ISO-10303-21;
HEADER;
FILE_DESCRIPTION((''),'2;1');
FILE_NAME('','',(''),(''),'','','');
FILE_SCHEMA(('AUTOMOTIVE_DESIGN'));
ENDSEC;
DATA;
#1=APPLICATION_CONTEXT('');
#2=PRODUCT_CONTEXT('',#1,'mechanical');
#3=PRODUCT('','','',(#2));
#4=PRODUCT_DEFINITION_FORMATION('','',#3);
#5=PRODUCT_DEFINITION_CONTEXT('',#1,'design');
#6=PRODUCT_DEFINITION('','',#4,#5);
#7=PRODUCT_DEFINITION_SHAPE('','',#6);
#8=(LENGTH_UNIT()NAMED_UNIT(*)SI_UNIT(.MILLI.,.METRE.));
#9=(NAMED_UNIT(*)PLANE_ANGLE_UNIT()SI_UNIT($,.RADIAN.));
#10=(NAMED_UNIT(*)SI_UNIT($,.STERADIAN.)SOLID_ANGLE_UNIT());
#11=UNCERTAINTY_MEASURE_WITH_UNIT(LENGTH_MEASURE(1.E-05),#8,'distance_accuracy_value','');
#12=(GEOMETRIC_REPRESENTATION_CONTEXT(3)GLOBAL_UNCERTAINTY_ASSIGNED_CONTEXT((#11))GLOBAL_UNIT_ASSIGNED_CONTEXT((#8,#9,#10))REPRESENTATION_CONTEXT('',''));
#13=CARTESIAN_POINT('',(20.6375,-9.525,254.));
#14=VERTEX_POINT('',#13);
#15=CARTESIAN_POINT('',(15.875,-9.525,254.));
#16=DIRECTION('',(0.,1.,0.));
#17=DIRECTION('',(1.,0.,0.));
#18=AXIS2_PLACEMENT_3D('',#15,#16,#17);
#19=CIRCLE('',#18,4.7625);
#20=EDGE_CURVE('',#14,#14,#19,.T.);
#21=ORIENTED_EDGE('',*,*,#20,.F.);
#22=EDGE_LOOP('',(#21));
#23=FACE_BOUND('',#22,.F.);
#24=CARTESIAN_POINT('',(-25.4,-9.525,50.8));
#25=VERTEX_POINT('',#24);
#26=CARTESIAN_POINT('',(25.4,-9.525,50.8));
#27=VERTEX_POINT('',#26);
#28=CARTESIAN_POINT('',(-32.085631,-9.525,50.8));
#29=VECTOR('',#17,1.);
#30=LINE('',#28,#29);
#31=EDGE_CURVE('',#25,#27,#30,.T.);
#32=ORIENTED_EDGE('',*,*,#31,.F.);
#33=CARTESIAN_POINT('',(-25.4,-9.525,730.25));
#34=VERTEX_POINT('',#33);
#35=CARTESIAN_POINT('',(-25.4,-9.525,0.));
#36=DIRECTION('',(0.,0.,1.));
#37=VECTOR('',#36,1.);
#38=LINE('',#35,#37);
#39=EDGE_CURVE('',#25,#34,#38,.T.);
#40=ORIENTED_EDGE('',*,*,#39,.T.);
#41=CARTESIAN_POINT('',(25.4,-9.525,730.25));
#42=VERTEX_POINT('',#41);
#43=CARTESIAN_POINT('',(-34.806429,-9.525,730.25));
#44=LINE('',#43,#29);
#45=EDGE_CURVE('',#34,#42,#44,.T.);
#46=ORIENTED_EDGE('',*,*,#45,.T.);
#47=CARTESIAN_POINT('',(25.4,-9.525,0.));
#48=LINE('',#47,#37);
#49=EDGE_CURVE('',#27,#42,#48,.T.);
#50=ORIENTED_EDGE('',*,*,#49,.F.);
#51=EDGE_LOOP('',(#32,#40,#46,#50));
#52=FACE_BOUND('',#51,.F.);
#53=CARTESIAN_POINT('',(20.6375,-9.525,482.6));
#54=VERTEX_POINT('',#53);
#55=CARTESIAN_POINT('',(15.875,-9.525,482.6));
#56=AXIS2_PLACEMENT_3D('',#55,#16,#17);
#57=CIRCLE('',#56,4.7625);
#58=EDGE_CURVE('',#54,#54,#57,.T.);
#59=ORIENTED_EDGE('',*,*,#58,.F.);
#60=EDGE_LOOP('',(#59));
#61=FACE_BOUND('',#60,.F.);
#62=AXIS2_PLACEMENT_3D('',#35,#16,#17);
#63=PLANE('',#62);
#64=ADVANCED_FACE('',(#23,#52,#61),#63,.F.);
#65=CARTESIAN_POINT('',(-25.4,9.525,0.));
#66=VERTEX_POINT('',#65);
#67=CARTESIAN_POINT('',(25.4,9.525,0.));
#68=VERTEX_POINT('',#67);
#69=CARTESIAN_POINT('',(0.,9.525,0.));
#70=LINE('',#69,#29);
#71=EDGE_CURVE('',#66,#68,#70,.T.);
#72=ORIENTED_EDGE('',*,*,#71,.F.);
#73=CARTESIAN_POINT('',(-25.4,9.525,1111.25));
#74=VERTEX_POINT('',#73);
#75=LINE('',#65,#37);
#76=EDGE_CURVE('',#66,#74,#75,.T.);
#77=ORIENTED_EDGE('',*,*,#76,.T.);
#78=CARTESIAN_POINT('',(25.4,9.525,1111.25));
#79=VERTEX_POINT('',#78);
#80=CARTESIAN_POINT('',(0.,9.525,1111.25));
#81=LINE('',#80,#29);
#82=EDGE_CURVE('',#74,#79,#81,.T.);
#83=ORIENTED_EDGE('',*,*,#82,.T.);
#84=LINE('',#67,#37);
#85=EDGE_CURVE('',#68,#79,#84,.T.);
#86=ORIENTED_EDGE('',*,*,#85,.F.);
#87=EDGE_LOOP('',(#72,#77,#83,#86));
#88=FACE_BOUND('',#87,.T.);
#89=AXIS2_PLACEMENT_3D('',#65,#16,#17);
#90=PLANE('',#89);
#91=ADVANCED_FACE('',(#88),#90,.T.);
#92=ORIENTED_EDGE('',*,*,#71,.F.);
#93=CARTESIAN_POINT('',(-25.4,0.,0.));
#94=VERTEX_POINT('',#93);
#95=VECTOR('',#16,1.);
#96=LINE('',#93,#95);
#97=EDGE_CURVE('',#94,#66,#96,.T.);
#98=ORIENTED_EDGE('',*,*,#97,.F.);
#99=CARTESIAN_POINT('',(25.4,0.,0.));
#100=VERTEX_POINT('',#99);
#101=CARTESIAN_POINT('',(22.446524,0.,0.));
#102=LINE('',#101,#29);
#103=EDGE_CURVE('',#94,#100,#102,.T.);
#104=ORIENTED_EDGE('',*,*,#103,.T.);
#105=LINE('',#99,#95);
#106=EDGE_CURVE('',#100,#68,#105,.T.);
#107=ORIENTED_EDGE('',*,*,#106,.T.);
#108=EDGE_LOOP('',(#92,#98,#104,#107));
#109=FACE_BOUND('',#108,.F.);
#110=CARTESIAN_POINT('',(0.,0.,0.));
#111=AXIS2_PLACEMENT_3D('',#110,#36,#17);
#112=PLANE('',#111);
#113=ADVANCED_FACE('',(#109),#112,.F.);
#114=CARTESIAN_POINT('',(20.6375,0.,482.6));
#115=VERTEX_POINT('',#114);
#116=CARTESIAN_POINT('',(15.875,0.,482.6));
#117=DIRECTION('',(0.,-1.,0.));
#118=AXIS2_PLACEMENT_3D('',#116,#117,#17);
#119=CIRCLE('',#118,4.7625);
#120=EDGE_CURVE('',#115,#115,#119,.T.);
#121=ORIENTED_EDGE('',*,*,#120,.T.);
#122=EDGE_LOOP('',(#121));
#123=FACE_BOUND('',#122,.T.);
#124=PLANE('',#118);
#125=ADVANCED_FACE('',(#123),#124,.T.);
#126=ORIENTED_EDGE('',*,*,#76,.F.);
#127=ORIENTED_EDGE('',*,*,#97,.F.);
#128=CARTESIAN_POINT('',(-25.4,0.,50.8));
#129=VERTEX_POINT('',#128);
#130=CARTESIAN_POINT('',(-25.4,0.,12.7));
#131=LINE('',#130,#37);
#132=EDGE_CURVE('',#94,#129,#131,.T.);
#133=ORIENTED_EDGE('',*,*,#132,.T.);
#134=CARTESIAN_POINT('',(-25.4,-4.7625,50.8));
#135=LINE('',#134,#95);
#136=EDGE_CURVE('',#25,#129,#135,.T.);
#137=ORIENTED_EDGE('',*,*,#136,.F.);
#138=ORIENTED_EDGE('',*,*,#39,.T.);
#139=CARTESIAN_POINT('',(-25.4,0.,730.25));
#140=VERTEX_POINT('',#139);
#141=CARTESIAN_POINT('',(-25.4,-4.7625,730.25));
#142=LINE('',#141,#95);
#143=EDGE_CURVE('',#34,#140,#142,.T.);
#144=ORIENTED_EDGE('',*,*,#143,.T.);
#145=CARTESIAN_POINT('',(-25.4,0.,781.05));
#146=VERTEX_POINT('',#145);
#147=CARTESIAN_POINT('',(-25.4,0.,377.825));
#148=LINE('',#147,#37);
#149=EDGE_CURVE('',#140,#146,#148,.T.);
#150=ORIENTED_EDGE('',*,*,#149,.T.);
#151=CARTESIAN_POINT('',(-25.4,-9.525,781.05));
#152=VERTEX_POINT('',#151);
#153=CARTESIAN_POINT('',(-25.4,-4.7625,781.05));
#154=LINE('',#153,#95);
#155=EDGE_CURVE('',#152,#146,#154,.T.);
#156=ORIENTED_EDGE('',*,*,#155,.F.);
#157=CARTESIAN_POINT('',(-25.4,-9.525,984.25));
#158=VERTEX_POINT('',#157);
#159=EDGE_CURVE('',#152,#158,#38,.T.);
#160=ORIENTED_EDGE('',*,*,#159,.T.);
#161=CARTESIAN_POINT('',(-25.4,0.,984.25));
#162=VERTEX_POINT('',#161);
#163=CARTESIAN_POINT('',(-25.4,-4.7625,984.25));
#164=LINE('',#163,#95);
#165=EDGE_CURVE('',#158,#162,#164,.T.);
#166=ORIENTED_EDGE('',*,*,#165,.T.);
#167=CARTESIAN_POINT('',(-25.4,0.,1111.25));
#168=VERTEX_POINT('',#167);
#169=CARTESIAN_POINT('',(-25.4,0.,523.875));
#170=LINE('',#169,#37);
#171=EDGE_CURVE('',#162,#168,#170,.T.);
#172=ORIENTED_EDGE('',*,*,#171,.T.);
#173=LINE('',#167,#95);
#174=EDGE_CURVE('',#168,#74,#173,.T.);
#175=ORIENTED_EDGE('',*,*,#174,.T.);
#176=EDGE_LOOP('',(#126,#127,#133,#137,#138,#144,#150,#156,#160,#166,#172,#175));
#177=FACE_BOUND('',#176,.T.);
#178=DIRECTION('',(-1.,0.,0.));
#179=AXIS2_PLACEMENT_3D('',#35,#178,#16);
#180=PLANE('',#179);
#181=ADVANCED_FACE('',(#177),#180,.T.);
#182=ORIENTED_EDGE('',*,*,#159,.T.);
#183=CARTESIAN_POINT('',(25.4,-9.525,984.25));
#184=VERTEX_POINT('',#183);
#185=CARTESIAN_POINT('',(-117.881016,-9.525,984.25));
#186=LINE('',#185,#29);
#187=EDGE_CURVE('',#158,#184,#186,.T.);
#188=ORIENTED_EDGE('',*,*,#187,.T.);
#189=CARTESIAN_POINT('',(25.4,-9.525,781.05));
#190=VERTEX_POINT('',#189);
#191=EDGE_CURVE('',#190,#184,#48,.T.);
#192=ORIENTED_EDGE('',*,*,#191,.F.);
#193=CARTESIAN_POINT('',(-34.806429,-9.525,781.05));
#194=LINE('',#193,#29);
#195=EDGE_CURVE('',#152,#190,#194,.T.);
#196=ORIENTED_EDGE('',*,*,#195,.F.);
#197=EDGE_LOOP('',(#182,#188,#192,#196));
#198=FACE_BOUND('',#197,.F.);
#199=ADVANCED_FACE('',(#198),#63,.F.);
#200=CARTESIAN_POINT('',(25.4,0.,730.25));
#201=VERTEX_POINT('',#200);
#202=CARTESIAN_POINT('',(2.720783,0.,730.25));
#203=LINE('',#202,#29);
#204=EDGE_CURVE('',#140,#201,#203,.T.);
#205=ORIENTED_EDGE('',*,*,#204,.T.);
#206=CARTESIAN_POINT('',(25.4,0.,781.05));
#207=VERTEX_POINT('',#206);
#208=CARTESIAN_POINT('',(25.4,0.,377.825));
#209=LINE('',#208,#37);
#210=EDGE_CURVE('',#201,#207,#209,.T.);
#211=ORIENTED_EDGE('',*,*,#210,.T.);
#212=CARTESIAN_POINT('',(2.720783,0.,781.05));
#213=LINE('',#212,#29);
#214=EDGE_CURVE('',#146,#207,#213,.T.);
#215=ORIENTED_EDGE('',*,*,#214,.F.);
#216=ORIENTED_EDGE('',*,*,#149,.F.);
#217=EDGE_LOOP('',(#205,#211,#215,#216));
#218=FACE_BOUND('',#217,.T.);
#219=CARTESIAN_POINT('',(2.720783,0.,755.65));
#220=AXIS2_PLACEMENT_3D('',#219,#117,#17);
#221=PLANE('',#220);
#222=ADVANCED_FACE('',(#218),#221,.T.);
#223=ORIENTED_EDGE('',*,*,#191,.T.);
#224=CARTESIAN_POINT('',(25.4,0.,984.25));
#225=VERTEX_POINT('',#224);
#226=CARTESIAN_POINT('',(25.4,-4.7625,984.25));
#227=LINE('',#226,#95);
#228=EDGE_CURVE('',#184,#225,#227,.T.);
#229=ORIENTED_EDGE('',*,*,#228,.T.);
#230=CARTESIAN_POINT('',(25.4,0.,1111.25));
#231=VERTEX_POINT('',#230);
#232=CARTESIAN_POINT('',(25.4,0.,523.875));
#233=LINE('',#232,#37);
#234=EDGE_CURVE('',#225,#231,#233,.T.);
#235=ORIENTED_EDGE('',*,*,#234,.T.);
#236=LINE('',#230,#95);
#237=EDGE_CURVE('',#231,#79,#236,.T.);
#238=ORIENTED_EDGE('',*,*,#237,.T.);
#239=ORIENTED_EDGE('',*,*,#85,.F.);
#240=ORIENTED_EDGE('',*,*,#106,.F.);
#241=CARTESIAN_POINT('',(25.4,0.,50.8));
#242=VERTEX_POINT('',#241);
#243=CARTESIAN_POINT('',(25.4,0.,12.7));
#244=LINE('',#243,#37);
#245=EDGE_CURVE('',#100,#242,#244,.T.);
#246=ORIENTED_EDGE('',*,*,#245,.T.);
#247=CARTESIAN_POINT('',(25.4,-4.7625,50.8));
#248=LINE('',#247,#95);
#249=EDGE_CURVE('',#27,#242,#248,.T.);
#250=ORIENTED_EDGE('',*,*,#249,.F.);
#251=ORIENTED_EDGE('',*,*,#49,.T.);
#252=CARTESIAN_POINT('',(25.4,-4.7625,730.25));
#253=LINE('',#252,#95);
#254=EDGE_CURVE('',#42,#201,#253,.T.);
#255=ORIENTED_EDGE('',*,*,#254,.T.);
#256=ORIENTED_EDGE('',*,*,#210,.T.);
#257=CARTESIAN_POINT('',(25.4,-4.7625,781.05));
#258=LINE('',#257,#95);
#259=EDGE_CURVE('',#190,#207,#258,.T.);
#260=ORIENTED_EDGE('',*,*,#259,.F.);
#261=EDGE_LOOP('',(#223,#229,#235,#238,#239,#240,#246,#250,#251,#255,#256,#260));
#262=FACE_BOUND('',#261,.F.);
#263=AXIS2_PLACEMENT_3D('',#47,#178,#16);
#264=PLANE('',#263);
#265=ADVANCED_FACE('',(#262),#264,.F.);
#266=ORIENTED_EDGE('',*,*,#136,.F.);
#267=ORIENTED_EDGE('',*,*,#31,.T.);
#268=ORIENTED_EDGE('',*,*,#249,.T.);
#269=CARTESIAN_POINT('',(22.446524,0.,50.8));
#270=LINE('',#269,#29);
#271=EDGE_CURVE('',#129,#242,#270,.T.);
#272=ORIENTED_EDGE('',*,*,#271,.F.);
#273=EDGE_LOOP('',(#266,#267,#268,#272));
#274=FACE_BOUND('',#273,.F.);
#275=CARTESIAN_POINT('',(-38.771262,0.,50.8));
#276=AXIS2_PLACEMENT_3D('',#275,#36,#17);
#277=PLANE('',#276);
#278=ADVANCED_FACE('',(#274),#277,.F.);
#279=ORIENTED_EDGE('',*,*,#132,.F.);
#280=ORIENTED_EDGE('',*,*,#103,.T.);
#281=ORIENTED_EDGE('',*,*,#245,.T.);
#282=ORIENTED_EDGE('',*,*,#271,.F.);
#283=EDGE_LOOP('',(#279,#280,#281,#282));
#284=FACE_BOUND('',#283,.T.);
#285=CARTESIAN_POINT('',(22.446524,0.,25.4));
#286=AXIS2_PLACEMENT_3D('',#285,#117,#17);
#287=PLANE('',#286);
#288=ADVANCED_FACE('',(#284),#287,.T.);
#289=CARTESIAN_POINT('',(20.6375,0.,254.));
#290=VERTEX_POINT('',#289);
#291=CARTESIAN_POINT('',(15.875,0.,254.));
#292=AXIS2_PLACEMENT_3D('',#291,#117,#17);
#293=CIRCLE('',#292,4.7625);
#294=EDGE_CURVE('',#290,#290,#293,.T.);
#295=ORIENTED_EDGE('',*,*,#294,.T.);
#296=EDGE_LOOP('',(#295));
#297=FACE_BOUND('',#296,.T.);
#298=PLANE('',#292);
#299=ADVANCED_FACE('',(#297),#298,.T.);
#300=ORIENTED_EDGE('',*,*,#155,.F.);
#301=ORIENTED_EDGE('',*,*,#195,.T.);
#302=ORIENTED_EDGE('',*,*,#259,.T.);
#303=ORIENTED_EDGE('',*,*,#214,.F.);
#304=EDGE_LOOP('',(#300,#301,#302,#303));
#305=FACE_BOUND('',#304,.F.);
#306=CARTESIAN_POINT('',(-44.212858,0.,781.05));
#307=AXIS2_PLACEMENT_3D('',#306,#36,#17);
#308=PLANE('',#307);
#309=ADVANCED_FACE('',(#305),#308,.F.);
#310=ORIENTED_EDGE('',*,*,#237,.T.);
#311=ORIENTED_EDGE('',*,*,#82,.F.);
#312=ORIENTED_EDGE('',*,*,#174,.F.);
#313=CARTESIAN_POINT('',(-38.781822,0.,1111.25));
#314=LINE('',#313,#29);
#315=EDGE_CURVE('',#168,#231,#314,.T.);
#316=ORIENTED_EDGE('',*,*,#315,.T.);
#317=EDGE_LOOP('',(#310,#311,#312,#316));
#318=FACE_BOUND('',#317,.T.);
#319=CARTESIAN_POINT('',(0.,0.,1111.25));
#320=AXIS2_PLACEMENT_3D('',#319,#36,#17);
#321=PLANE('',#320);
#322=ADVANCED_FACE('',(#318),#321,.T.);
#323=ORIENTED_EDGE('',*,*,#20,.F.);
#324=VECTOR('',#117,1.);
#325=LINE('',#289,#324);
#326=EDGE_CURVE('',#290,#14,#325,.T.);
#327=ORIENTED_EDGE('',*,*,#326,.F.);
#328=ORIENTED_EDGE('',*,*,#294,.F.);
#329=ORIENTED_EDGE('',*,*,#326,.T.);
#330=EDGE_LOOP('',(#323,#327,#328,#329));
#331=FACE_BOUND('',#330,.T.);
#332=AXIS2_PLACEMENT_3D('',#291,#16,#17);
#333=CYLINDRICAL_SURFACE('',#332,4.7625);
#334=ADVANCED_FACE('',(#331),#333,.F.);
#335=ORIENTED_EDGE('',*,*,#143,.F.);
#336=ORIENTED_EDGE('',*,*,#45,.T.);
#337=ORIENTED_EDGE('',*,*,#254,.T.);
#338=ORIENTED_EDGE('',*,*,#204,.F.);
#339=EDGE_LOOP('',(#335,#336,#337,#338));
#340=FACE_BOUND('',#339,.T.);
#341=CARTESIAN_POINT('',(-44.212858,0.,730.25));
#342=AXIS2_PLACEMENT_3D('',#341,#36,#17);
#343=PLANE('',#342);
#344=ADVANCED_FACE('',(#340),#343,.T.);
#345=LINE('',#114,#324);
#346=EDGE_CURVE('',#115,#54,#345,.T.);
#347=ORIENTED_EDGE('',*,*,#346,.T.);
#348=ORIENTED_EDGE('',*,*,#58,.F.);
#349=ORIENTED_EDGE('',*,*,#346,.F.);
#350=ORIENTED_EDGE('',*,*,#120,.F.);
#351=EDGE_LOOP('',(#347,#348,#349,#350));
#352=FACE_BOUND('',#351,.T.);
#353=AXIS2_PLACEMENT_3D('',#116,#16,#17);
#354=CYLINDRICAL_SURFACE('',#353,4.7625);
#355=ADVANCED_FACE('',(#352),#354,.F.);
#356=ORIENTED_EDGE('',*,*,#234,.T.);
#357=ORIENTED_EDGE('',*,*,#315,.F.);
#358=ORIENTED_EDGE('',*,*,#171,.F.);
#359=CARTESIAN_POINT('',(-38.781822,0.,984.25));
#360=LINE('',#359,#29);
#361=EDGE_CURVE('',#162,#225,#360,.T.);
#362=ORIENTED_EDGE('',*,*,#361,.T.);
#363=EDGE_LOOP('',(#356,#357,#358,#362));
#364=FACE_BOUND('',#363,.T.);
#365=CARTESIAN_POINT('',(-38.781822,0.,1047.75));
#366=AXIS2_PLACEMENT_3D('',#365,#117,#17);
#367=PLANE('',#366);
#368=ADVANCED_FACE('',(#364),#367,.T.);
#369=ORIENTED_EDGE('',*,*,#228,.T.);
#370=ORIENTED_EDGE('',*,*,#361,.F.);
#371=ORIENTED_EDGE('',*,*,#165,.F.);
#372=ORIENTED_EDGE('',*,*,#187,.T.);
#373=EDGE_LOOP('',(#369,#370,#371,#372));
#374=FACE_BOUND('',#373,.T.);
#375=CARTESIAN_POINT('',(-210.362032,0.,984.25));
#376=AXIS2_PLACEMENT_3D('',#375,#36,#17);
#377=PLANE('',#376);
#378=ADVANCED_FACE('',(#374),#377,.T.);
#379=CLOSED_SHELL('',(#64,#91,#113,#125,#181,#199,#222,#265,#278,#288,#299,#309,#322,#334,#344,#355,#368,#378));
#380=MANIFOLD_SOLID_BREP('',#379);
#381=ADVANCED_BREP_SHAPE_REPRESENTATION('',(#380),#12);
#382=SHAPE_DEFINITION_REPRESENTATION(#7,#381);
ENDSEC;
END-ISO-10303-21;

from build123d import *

# Parameters (mm, degrees)
F0_W     = 50.8
F0_H     = 19.05
F1_DEPTH = 1111.25
F2_W     = 122.435573
F2_H     = 50.8
F2_W_2   = 93.867282
F2_W_3   = 343.160421
F2_H_2   = 127
F3_DEPTH = 25.4
F4_R     = 4.7625
F5_DEPTH = 25.4


with BuildPart() as f1:
    # F0 (on Top) → F1 (new body)
    with BuildSketch(Plane.XY):
        Rectangle(F0_W, F0_H)
    extrude(amount=F1_DEPTH)

    # F2 (on Front) → F3 (cut)
    with BuildSketch(Plane.XZ):
        with Locations((22.446524, 25.4)):
            Rectangle(F2_W, F2_H)
        with Locations((2.720783, 755.65)):
            Rectangle(F2_W_2, F2_H)
        with Locations((-38.781822, 1047.75)):
            Rectangle(F2_W_3, F2_H_2)
    extrude(amount=F3_DEPTH, mode=Mode.SUBTRACT)

    # F4 (on Front) → F5 (cut)
    with BuildSketch(Plane.XZ):
        with Locations((15.875, 254)):
            Circle(F4_R)
        with Locations((15.875, 482.6)):
            Circle(F4_R)
    extrude(amount=F5_DEPTH, mode=Mode.SUBTRACT)


solid = f1.part
